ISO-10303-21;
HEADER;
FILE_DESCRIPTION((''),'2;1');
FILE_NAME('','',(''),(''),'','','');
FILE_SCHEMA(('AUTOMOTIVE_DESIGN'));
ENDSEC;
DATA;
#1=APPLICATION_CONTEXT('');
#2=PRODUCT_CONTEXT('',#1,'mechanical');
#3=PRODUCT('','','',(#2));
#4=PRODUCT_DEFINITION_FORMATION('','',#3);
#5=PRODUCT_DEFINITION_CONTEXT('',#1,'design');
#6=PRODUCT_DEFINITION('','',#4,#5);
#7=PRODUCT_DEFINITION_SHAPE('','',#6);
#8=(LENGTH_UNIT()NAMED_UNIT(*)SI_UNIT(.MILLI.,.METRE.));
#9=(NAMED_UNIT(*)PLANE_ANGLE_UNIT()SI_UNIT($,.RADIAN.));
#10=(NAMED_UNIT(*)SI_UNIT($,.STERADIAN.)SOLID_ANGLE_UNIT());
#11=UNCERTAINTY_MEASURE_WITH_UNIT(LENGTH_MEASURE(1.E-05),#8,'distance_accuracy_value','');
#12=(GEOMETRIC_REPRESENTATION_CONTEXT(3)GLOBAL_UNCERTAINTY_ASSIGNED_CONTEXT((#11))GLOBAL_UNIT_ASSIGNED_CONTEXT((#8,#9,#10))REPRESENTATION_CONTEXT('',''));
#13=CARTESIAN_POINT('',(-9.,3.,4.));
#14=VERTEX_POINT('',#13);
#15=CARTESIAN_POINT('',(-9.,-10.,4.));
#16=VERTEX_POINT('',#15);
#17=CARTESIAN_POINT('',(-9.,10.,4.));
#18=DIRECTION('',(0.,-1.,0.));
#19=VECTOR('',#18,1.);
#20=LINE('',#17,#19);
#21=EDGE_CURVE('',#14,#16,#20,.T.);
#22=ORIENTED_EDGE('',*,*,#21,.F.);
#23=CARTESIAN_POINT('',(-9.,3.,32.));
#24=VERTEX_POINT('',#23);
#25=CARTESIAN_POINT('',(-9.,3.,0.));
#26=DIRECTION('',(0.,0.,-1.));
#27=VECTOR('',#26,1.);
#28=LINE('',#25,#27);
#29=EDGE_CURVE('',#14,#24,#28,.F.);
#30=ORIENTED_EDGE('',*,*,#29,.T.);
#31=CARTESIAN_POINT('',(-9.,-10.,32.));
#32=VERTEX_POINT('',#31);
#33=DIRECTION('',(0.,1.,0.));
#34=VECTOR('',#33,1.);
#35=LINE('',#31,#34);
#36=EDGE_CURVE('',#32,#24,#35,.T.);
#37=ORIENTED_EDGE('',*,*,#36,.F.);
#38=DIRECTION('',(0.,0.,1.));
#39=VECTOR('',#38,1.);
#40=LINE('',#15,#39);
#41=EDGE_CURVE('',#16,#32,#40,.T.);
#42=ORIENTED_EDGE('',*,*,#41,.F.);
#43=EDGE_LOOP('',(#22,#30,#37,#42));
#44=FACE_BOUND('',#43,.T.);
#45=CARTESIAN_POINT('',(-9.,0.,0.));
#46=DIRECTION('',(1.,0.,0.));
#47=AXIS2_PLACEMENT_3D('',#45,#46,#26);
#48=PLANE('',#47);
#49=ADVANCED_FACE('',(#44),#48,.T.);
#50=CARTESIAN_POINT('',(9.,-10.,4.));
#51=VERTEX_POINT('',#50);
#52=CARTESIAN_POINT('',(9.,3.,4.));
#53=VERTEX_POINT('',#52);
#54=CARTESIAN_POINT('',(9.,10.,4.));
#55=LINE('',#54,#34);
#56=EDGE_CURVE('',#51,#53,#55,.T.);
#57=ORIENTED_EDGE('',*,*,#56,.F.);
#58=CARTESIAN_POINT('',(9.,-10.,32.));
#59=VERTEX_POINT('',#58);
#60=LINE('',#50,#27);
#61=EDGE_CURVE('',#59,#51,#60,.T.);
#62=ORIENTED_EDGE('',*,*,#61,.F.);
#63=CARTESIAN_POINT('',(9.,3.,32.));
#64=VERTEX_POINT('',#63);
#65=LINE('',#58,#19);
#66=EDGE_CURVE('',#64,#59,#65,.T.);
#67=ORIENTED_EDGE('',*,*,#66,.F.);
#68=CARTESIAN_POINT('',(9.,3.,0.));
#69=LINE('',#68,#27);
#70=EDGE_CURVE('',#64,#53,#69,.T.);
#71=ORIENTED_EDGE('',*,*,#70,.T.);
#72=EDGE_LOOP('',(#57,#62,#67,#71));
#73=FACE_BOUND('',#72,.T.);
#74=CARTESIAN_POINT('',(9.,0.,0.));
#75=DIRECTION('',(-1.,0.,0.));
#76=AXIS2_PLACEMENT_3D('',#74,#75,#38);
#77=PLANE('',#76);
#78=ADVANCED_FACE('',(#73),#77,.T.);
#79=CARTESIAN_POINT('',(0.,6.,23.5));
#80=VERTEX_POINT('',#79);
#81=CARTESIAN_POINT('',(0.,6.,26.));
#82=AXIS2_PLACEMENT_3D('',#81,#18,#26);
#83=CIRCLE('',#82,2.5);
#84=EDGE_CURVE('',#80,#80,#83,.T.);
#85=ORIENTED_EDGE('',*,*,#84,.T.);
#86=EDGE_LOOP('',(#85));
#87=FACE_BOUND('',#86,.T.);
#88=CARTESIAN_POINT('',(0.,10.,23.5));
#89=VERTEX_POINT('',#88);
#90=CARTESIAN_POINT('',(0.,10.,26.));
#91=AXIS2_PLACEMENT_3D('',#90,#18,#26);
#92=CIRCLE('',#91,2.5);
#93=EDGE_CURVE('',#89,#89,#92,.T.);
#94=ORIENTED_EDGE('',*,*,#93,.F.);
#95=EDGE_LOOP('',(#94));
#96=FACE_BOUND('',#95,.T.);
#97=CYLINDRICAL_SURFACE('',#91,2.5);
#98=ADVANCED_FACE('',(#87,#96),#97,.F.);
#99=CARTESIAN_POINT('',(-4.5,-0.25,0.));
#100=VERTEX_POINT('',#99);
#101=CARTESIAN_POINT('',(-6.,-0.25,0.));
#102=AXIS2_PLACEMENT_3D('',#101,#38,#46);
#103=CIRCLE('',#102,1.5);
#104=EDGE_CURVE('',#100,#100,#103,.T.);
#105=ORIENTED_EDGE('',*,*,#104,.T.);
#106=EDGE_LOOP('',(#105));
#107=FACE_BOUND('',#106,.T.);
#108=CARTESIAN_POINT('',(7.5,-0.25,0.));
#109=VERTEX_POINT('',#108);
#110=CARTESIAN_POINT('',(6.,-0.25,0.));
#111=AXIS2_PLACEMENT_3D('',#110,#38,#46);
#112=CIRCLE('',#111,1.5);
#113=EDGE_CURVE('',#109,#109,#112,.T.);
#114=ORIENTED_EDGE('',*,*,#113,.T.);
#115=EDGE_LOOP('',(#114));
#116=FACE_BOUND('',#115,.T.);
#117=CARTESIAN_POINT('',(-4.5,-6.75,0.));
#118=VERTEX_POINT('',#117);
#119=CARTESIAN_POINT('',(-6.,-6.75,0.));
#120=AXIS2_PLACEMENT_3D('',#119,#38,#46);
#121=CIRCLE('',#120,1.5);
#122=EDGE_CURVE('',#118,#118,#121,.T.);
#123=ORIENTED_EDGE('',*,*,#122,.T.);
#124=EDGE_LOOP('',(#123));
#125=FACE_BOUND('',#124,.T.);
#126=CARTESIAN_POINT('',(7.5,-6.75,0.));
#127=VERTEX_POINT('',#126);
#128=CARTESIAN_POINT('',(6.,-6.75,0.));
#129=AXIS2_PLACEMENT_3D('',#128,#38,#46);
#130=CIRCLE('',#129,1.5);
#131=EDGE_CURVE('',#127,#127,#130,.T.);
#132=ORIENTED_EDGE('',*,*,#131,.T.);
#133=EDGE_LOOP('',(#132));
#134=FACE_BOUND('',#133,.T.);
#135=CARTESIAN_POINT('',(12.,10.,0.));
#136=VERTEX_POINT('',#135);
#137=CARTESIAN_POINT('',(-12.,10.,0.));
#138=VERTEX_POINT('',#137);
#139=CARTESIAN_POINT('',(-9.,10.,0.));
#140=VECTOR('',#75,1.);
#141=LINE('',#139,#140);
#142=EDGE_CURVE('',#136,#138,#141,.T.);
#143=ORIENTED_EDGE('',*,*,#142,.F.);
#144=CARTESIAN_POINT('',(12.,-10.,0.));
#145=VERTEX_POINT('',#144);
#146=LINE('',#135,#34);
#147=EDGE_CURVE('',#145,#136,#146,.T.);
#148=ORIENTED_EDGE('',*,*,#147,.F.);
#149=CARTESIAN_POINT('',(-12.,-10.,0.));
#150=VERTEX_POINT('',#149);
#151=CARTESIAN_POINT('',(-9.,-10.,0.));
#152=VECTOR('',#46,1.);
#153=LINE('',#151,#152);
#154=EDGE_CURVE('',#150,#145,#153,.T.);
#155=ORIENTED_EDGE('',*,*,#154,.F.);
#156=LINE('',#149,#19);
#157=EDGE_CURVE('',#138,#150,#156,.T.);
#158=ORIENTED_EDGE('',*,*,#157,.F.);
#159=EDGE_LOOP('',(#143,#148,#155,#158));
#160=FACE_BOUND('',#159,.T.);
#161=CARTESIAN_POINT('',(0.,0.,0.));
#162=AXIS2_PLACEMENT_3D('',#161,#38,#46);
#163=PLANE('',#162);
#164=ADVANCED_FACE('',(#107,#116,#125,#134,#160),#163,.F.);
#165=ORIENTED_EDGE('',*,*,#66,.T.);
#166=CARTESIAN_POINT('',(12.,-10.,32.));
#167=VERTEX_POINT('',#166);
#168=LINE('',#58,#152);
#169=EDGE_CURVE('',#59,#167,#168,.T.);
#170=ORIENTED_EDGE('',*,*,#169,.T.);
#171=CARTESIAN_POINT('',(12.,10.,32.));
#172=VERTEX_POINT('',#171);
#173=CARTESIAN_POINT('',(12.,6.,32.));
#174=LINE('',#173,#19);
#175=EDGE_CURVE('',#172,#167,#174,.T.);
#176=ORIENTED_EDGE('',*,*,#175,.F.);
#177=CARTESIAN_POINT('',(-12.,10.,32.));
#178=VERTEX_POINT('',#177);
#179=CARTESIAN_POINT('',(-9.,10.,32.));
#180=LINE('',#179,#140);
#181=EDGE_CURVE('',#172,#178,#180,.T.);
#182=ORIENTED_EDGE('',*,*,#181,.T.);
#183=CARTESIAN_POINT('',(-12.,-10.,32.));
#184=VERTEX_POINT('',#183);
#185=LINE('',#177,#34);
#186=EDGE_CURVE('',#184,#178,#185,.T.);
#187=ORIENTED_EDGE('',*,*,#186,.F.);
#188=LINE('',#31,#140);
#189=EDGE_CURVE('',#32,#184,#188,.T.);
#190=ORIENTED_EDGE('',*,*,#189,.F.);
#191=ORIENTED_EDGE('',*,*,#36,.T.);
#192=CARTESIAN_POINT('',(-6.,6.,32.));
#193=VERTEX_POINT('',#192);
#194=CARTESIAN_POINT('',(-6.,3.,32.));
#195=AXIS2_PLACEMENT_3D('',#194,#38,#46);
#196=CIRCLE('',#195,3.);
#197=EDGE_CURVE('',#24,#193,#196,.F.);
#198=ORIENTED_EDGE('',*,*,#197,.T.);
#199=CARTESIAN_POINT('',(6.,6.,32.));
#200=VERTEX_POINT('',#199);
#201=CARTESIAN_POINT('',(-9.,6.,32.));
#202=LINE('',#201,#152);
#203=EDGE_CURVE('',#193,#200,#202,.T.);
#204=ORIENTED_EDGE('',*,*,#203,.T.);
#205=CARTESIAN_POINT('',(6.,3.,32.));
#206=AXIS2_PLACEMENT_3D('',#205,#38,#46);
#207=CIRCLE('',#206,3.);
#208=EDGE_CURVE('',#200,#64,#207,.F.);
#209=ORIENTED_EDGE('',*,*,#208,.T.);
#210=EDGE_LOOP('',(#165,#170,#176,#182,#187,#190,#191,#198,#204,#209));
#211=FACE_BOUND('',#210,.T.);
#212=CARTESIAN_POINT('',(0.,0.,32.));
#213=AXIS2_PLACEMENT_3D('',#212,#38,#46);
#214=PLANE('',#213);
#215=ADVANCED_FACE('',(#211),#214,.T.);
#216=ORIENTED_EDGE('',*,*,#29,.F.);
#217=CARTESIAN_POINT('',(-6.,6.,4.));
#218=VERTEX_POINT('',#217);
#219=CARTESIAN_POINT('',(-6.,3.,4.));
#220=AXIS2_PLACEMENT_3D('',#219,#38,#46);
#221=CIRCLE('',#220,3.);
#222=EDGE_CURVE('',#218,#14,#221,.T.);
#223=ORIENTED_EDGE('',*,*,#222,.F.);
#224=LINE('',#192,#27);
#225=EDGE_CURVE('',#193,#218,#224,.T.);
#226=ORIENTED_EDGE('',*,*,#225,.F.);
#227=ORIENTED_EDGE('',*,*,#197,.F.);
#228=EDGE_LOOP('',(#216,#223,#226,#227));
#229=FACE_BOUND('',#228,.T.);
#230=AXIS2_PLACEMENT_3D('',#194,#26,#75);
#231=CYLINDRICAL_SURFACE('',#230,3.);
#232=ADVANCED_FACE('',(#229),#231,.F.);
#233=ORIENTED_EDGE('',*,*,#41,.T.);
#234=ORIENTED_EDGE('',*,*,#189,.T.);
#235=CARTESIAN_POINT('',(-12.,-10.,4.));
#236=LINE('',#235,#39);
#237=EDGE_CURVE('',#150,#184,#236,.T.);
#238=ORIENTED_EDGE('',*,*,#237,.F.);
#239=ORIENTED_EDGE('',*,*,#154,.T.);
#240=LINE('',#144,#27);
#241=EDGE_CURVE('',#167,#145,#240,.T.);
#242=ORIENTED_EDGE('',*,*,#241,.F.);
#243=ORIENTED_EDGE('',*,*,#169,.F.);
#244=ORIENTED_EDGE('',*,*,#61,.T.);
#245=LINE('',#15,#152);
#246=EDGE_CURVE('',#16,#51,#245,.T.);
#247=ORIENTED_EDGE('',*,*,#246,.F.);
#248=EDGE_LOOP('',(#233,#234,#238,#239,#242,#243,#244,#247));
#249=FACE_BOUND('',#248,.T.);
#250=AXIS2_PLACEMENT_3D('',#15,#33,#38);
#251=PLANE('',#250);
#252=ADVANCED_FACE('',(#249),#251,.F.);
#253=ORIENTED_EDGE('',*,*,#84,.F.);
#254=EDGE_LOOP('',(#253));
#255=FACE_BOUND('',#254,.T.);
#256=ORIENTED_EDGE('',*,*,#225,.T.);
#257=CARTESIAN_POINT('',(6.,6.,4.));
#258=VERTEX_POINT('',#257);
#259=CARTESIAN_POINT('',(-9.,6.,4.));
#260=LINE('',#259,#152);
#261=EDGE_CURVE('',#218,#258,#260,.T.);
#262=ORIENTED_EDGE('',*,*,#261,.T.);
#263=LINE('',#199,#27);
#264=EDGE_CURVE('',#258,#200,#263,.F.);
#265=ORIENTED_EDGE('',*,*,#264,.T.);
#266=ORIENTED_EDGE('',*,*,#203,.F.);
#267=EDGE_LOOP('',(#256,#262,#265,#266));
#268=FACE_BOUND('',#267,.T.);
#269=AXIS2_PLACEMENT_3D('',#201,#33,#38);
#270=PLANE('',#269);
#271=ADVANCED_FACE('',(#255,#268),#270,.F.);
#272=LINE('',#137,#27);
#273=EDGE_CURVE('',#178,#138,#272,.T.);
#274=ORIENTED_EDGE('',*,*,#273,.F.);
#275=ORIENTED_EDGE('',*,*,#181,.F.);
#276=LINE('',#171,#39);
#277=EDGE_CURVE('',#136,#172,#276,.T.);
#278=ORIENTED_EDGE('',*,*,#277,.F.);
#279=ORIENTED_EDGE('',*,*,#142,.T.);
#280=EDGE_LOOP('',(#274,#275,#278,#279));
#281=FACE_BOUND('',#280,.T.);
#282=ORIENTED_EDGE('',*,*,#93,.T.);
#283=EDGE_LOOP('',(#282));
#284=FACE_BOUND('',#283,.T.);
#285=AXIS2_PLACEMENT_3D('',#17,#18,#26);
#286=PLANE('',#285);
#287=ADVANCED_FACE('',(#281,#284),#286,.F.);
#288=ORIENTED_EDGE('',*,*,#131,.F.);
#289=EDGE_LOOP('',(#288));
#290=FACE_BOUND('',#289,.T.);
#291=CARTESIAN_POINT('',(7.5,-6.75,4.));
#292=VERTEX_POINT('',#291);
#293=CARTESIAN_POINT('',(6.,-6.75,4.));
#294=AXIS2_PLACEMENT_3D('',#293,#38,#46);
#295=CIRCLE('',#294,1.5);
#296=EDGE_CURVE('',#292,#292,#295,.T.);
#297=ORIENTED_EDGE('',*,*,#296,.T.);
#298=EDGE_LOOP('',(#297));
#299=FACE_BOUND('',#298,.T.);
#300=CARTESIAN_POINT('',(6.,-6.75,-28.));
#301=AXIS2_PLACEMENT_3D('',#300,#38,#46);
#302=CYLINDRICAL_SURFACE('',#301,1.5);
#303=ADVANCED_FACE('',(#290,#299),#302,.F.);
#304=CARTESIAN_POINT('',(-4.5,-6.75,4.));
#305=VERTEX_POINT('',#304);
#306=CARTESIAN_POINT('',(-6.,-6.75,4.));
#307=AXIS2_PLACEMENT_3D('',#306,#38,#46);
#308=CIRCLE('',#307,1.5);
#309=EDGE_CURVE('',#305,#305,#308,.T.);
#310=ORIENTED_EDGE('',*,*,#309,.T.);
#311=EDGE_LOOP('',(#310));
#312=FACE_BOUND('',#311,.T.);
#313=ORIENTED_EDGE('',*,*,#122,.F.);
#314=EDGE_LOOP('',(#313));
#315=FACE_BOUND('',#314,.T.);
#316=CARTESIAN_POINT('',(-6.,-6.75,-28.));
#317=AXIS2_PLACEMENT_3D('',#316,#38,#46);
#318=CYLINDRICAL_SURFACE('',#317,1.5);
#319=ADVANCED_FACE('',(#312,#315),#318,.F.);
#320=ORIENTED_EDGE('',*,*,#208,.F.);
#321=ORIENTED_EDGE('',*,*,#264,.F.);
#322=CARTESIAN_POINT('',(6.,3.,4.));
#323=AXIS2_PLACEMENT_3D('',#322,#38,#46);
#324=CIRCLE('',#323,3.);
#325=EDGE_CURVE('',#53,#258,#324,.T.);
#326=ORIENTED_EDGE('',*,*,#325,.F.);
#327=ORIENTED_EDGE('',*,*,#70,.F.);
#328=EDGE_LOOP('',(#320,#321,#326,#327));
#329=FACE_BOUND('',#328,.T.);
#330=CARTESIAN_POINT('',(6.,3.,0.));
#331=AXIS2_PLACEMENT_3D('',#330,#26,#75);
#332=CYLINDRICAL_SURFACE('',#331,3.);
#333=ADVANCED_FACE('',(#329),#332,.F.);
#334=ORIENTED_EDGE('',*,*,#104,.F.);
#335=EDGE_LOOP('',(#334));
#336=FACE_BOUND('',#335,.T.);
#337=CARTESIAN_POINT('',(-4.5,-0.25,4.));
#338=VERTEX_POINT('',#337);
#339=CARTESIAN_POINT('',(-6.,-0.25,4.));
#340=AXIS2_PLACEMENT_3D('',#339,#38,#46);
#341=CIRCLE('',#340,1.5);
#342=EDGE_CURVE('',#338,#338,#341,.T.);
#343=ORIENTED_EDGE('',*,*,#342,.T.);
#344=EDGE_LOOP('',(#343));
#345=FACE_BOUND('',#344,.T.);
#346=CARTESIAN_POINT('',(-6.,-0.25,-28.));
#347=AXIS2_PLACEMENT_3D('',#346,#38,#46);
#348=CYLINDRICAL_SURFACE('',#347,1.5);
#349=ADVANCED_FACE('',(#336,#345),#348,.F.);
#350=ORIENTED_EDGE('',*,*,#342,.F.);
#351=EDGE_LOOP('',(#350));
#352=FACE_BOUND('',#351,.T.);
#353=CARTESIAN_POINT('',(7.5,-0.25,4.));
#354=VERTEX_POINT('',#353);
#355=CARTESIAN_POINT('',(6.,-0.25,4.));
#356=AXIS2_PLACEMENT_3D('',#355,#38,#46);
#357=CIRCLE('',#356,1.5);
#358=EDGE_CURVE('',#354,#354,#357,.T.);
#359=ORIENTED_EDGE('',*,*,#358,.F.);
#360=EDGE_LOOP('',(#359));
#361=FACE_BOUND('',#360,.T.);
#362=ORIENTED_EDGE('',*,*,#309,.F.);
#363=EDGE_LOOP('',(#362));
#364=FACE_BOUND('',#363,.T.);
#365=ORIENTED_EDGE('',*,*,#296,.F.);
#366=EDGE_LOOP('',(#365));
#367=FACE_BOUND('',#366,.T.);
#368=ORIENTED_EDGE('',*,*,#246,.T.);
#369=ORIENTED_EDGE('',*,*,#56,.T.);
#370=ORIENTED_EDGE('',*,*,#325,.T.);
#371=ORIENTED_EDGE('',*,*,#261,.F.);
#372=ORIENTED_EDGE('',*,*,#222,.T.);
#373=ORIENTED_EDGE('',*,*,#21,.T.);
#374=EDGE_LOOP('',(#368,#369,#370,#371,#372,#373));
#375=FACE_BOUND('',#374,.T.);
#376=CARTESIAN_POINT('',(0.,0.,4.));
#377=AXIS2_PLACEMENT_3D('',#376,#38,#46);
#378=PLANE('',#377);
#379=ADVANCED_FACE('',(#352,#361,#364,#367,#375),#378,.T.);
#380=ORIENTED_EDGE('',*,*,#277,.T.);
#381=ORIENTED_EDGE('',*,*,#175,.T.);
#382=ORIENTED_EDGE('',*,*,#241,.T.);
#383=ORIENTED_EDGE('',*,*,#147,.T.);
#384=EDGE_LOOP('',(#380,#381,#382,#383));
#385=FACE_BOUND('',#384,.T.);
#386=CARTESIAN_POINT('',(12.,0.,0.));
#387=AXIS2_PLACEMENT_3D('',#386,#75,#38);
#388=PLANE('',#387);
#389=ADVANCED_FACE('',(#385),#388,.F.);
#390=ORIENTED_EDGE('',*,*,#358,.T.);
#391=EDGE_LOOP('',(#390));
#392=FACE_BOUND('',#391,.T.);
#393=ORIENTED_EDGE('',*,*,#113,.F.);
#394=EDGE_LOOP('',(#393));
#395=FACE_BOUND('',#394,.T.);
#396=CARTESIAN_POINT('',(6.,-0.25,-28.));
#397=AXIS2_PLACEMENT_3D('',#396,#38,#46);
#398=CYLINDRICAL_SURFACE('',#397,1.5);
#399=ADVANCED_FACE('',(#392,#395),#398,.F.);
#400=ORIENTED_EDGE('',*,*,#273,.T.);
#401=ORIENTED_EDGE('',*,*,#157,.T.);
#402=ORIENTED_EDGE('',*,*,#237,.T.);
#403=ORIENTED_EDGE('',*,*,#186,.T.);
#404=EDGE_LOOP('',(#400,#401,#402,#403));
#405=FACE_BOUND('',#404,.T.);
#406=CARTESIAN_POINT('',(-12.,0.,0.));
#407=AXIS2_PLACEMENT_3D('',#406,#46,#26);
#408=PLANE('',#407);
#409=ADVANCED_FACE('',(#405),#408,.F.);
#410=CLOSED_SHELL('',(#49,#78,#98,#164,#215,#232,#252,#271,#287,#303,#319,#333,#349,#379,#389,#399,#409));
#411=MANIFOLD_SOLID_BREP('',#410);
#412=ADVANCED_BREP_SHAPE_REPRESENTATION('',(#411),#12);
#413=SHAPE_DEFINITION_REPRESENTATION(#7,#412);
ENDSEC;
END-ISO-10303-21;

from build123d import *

# Parameters (mm, degrees)
SKETCH_1_W          = 18
SKETCH_1_H          = 20
EXTRUDE_1_DEPTH     = 4
SKETCH_2_W          = 18
SKETCH_2_H          = 4
EXTRUDE_2_DEPTH     = 28
SKETCH_3_R          = 2.5
CUT_EXTRUDE_1_DEPTH = 37.891733491
SKETCH_4_R          = 1.5
CUT_EXTRUDE_2_DEPTH = 32
EXTRUDE_3_DEPTH     = 3
EXTRUDE_4_DEPTH     = 3
EXTRUDE_5_DEPTH     = 3
EXTRUDE_6_DEPTH     = 3
FILLET_1_R          = 3


with BuildPart() as part:
    # 草图1 → 凸台-拉伸1 (new body)
    with BuildSketch(Plane.XY):
        Rectangle(SKETCH_1_W, SKETCH_1_H)
    extrude(amount=EXTRUDE_1_DEPTH)

    # 草图2 → 凸台-拉伸2 (add)
    with BuildSketch(Plane.XY.offset(4)):
        with Locations((0, 8)):
            Rectangle(SKETCH_2_W, SKETCH_2_H)
    extrude(amount=EXTRUDE_2_DEPTH)

    # 草图3 → 切除-拉伸1 (cut, through all)
    with BuildSketch(Plane.XZ.offset(-6)):
        with Locations(Location((0, 26, 0), (0, 0, 270))):
            Circle(SKETCH_3_R)
    extrude(amount=-CUT_EXTRUDE_1_DEPTH, mode=Mode.SUBTRACT)

    # 草图4 → 切除-拉伸2 (cut)
    with BuildSketch(Plane.XY.offset(4)):
        with Locations((-6, -0.25)):
            Circle(SKETCH_4_R)
        with Locations((-6, -6.75)):
            Circle(SKETCH_4_R)
        with Locations((6, -0.25)):
            Circle(SKETCH_4_R)
        with Locations((6, -6.75)):
            Circle(SKETCH_4_R)
    extrude(amount=-CUT_EXTRUDE_2_DEPTH, mode=Mode.SUBTRACT)

    # 草图5 → 凸台-拉伸3 (add)
    with BuildSketch(Plane(origin=(9, 0, 0), x_dir=(0, 0, -1), z_dir=(1, 0, 0))):
        Polygon((-32, 10), (0, 10), (0, -10), (-4, -10), (-32, 6), align=None)
    extrude(amount=EXTRUDE_3_DEPTH)

    # 草图6 → 凸台-拉伸4 (add)
    with BuildSketch(Plane.ZY.offset(9)):
        Polygon((0, -10), (0, 10), (32, 10), (32, 6), (4, -10), align=None)
    extrude(amount=EXTRUDE_4_DEPTH)

    # 草图7 → 凸台-拉伸5 (add)
    with BuildSketch(Plane.ZY.offset(12)):
        Polygon((32, 6), (4, -10), (32, -10), align=None)
    extrude(amount=-EXTRUDE_5_DEPTH)

    # 草图8 → 凸台-拉伸6 (add)
    with BuildSketch(Plane(origin=(12, 0, 0), x_dir=(0, 0, -1), z_dir=(1, 0, 0))):
        Polygon((-32, 6), (-4, -10), (-32, -10), align=None)
    extrude(amount=-EXTRUDE_6_DEPTH)

    # 圆角1
    fillet_1_edges = [part.edges().sort_by_distance(p)[0] for p in [
        (-9, 6, 18),
        (9, 6, 18),
    ]]
    fillet(fillet_1_edges, radius=FILLET_1_R)


solid = part.part
